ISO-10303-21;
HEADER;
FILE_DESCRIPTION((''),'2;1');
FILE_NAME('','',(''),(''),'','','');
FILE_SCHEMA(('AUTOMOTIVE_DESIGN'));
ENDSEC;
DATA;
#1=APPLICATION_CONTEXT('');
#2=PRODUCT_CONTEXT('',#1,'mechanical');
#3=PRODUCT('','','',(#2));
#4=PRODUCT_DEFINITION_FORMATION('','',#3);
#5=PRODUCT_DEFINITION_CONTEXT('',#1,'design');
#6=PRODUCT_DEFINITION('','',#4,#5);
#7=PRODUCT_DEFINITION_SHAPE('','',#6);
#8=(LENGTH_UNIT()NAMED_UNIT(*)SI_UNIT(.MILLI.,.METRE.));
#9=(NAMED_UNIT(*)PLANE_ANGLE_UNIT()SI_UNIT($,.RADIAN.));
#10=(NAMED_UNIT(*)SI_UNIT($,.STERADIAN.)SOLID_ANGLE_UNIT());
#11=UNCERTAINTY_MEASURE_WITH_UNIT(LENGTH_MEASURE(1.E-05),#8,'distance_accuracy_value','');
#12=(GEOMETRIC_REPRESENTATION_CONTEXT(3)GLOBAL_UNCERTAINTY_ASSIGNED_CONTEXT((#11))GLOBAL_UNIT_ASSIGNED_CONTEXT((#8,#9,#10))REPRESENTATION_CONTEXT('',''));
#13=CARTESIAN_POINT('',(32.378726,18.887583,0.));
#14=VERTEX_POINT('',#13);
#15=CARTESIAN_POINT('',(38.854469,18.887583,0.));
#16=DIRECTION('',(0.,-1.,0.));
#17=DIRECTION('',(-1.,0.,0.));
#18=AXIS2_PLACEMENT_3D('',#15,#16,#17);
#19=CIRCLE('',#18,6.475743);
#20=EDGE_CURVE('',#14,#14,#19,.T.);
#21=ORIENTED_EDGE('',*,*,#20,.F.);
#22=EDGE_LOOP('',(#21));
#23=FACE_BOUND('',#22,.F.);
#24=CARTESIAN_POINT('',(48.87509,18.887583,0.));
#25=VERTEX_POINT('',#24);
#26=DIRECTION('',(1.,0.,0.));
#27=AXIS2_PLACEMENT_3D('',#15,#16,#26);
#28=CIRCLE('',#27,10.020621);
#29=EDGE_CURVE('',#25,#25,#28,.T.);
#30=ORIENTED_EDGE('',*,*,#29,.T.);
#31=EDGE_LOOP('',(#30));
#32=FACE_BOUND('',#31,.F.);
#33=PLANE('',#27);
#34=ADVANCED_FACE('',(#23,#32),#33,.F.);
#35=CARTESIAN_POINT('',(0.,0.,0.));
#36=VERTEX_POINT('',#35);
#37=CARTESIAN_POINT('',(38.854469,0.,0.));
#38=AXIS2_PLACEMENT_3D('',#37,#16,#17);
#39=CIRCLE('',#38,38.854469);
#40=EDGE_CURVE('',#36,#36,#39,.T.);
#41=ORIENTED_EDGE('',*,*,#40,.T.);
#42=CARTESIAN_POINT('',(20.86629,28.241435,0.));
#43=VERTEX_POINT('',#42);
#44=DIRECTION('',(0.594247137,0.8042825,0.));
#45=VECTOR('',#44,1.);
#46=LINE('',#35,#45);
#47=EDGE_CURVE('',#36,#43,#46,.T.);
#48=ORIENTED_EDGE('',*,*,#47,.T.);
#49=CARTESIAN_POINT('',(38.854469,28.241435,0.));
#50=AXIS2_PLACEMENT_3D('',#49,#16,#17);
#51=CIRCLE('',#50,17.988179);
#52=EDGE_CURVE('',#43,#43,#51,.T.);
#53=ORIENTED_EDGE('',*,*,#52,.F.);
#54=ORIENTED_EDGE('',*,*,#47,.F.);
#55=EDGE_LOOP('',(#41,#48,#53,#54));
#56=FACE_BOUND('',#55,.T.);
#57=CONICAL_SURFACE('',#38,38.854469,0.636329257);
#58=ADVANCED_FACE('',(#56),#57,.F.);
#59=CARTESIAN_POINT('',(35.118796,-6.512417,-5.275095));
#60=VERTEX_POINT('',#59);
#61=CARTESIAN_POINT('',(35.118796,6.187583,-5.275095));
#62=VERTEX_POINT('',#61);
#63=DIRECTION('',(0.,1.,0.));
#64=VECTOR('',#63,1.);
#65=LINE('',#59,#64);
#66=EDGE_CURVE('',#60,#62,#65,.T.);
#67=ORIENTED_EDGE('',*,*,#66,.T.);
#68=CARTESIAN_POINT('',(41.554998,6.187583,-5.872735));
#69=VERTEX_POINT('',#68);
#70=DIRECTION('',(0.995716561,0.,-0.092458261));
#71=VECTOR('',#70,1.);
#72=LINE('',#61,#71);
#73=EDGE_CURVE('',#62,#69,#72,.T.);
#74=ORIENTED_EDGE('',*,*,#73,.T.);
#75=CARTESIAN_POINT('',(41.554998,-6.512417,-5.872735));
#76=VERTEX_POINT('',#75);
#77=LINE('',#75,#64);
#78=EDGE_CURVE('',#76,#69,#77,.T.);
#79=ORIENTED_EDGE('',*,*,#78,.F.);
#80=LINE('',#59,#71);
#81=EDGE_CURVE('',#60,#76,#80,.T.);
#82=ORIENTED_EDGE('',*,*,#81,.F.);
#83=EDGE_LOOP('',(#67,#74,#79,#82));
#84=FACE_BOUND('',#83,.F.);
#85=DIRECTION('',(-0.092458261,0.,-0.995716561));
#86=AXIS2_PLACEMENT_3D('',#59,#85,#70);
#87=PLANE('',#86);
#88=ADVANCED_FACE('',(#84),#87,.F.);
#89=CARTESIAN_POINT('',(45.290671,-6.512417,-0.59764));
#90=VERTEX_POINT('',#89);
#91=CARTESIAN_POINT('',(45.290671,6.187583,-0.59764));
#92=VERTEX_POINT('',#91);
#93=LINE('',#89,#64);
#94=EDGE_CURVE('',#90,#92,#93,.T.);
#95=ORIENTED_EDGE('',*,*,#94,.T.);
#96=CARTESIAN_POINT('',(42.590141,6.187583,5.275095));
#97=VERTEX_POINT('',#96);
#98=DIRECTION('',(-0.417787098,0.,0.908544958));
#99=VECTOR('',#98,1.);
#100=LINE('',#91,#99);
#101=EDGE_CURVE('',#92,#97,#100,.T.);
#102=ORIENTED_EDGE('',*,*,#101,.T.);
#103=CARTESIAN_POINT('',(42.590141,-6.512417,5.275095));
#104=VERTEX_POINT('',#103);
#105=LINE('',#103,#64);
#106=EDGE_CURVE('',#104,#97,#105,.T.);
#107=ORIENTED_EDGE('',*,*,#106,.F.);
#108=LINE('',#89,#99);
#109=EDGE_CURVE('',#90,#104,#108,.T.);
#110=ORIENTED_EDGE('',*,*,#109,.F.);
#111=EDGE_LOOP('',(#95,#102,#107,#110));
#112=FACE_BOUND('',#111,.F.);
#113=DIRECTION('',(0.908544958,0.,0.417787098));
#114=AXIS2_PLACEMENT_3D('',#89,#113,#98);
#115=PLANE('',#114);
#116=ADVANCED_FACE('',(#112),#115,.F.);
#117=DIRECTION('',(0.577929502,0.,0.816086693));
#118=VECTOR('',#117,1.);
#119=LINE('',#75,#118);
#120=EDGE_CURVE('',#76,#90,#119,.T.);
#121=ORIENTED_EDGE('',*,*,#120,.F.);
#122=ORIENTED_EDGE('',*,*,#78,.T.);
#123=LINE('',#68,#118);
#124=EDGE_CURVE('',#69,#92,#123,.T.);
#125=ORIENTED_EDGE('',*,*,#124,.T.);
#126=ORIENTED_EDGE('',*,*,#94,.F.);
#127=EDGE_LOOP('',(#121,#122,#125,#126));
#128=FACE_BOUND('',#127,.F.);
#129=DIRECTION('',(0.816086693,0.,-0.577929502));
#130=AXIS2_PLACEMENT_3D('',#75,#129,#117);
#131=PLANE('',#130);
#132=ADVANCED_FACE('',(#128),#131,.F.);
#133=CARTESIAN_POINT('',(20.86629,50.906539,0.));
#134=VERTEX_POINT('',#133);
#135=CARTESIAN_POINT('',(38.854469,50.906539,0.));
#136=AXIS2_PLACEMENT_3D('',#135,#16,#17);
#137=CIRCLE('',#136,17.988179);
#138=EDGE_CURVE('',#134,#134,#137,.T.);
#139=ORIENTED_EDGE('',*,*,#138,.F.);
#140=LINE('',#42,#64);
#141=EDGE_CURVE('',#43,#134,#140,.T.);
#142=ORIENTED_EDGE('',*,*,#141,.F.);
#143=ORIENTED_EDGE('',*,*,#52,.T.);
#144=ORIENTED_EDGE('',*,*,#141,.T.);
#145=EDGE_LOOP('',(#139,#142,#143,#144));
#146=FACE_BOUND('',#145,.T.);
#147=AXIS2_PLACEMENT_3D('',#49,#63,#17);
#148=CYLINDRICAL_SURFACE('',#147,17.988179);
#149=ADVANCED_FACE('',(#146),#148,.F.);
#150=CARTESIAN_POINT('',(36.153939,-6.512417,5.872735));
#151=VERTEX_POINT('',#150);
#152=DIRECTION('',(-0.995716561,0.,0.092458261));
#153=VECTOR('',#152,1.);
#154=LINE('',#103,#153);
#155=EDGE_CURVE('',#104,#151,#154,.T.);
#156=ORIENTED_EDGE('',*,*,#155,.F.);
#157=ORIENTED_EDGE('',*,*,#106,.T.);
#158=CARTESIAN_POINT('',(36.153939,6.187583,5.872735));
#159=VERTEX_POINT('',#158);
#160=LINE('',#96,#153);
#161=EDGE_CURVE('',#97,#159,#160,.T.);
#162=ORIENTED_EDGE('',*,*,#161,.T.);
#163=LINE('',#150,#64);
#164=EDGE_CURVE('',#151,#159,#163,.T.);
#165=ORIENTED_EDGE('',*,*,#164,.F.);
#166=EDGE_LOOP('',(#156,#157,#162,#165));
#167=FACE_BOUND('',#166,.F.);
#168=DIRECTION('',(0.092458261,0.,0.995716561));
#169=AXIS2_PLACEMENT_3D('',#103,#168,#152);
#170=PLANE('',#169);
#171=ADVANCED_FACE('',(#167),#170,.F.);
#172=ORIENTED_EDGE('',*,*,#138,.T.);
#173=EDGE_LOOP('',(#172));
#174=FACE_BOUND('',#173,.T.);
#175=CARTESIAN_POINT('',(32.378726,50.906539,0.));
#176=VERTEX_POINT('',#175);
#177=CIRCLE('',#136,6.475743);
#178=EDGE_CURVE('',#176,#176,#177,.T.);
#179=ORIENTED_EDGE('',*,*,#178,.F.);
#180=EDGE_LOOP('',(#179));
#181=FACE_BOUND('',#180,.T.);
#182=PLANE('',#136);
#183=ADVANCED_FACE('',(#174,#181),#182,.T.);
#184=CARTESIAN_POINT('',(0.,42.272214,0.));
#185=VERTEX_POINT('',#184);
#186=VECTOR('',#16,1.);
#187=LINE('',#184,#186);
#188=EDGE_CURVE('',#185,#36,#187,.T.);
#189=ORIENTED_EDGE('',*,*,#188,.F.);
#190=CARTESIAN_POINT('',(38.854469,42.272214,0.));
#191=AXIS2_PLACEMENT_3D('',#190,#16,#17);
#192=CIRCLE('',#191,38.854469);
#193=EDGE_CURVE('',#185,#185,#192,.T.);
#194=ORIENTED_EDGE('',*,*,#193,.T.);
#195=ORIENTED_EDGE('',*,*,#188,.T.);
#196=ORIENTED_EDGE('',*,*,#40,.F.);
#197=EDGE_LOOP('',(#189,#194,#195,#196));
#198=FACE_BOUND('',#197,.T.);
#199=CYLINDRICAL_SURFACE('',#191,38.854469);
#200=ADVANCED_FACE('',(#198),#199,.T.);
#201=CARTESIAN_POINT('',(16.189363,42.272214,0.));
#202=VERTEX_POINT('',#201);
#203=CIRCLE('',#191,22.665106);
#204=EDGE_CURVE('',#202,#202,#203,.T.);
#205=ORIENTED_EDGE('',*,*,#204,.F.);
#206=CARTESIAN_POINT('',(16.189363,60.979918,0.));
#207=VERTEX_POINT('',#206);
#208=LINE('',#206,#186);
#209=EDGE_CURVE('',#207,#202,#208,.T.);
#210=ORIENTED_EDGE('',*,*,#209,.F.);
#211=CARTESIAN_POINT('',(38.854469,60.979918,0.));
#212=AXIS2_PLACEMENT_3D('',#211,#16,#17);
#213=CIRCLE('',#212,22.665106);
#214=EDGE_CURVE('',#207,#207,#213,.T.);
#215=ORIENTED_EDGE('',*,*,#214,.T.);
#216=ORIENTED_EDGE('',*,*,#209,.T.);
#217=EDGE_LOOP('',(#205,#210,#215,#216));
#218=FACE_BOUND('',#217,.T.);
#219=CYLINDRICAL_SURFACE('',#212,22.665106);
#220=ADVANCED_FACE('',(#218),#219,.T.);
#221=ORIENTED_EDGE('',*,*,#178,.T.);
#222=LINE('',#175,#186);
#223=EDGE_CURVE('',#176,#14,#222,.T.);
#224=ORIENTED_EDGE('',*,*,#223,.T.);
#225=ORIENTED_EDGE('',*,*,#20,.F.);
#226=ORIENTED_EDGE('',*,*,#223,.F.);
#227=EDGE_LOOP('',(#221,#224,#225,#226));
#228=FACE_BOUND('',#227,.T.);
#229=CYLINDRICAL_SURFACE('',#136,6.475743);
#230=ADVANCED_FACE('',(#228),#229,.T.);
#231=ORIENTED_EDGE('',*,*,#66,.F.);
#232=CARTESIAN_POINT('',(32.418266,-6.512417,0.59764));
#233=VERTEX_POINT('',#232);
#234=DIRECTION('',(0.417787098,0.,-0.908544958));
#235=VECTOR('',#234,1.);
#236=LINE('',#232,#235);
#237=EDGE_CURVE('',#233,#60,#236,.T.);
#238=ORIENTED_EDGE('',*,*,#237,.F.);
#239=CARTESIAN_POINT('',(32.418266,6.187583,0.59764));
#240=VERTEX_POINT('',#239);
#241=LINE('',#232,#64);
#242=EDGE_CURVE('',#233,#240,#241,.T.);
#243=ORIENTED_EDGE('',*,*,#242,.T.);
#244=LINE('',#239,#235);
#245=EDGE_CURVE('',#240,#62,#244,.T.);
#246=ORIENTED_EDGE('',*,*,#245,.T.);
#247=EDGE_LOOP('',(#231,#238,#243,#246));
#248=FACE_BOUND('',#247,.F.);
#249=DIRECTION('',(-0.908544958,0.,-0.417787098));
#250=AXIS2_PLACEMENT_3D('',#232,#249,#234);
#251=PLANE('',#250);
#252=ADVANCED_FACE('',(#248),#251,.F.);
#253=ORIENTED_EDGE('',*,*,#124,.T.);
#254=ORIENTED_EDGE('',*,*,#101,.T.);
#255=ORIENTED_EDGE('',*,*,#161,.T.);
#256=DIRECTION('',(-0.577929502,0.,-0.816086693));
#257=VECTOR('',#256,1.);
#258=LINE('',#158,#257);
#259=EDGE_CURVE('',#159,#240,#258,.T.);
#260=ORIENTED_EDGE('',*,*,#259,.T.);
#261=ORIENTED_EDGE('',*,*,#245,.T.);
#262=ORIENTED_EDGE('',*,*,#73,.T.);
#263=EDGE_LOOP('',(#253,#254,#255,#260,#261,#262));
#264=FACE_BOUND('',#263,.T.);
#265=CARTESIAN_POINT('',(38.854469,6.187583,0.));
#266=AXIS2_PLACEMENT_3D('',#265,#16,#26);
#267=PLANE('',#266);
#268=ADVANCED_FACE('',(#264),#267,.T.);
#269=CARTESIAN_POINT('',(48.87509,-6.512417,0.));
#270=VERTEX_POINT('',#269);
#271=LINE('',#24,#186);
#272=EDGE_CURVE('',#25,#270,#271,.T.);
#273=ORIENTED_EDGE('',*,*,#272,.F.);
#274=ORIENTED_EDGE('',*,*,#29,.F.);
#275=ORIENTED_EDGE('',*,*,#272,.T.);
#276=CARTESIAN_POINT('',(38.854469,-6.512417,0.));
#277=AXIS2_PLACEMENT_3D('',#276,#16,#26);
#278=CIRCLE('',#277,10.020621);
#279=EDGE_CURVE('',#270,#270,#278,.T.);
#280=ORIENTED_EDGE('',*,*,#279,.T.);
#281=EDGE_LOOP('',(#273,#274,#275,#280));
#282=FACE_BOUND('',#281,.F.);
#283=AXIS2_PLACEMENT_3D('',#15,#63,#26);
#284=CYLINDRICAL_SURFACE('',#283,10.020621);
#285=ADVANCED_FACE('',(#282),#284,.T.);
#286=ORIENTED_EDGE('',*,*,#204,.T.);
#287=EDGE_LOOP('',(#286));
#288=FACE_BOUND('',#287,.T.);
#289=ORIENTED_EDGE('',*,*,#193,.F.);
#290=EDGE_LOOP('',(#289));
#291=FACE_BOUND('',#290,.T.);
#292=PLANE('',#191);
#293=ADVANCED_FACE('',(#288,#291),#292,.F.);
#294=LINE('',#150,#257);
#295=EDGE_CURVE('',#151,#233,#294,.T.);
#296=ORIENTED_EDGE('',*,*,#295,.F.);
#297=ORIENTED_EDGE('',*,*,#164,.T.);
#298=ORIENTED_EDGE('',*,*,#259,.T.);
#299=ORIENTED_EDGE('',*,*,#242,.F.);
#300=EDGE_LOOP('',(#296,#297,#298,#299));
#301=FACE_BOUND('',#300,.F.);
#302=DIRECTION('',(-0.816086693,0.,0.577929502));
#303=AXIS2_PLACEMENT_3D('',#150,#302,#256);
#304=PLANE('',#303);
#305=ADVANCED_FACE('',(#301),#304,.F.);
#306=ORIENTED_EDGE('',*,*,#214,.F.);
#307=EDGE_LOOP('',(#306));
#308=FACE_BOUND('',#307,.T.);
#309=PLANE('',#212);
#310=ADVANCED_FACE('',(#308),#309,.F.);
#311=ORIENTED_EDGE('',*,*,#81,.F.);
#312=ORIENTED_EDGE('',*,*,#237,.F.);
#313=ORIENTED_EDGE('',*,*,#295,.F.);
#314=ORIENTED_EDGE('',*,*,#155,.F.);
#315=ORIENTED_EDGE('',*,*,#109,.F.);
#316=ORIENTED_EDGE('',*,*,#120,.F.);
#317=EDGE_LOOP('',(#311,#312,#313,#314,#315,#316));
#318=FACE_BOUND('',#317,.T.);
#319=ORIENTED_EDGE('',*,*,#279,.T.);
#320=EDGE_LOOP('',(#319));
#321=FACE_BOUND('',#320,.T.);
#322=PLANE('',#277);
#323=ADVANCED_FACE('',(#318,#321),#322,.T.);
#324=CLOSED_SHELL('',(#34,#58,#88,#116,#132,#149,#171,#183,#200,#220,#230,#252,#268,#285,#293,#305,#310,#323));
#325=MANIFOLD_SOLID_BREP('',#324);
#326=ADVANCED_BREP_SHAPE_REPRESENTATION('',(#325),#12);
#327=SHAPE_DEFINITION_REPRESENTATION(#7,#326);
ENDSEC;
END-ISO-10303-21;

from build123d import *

# Parameters (mm, degrees)
F2_R     = 10.020621
F3_DEPTH = 25.4
F5_DEPTH = 12.7


with BuildPart() as f1:
    # F0 (on Top) → F1 (revolve)
    with BuildSketch(Plane.XY):
        Polygon((0, 42.272214), (0, 0), (20.86629, 28.241435), (20.86629, 50.906539), (32.378726, 50.906539), (32.378726, 18.887583), (38.854469, 18.887583), (38.854469, 60.979918), (16.189363, 60.979918), (16.189363, 42.272214), align=None)
    revolve(axis=Axis((38.854469, 39.93375, 0), (0, -1, 0)))

    # F2 (on face) → F3 (join)
    with BuildSketch(Plane.XZ.offset(-18.887583)):
        with Locations((38.854469, 0)):
            Circle(F2_R)
    extrude(amount=F3_DEPTH)

    # F4 (on face) → F5 (cut)
    with BuildSketch(Plane.XZ.offset(6.512417)):
        Polygon((32.418266, 0.59764), (35.118796, -5.275095), (41.554998, -5.872735), (45.290671, -0.59764), (42.590141, 5.275095), (36.153939, 5.872735), align=None)
    extrude(amount=-F5_DEPTH, mode=Mode.SUBTRACT)


solid = f1.part
